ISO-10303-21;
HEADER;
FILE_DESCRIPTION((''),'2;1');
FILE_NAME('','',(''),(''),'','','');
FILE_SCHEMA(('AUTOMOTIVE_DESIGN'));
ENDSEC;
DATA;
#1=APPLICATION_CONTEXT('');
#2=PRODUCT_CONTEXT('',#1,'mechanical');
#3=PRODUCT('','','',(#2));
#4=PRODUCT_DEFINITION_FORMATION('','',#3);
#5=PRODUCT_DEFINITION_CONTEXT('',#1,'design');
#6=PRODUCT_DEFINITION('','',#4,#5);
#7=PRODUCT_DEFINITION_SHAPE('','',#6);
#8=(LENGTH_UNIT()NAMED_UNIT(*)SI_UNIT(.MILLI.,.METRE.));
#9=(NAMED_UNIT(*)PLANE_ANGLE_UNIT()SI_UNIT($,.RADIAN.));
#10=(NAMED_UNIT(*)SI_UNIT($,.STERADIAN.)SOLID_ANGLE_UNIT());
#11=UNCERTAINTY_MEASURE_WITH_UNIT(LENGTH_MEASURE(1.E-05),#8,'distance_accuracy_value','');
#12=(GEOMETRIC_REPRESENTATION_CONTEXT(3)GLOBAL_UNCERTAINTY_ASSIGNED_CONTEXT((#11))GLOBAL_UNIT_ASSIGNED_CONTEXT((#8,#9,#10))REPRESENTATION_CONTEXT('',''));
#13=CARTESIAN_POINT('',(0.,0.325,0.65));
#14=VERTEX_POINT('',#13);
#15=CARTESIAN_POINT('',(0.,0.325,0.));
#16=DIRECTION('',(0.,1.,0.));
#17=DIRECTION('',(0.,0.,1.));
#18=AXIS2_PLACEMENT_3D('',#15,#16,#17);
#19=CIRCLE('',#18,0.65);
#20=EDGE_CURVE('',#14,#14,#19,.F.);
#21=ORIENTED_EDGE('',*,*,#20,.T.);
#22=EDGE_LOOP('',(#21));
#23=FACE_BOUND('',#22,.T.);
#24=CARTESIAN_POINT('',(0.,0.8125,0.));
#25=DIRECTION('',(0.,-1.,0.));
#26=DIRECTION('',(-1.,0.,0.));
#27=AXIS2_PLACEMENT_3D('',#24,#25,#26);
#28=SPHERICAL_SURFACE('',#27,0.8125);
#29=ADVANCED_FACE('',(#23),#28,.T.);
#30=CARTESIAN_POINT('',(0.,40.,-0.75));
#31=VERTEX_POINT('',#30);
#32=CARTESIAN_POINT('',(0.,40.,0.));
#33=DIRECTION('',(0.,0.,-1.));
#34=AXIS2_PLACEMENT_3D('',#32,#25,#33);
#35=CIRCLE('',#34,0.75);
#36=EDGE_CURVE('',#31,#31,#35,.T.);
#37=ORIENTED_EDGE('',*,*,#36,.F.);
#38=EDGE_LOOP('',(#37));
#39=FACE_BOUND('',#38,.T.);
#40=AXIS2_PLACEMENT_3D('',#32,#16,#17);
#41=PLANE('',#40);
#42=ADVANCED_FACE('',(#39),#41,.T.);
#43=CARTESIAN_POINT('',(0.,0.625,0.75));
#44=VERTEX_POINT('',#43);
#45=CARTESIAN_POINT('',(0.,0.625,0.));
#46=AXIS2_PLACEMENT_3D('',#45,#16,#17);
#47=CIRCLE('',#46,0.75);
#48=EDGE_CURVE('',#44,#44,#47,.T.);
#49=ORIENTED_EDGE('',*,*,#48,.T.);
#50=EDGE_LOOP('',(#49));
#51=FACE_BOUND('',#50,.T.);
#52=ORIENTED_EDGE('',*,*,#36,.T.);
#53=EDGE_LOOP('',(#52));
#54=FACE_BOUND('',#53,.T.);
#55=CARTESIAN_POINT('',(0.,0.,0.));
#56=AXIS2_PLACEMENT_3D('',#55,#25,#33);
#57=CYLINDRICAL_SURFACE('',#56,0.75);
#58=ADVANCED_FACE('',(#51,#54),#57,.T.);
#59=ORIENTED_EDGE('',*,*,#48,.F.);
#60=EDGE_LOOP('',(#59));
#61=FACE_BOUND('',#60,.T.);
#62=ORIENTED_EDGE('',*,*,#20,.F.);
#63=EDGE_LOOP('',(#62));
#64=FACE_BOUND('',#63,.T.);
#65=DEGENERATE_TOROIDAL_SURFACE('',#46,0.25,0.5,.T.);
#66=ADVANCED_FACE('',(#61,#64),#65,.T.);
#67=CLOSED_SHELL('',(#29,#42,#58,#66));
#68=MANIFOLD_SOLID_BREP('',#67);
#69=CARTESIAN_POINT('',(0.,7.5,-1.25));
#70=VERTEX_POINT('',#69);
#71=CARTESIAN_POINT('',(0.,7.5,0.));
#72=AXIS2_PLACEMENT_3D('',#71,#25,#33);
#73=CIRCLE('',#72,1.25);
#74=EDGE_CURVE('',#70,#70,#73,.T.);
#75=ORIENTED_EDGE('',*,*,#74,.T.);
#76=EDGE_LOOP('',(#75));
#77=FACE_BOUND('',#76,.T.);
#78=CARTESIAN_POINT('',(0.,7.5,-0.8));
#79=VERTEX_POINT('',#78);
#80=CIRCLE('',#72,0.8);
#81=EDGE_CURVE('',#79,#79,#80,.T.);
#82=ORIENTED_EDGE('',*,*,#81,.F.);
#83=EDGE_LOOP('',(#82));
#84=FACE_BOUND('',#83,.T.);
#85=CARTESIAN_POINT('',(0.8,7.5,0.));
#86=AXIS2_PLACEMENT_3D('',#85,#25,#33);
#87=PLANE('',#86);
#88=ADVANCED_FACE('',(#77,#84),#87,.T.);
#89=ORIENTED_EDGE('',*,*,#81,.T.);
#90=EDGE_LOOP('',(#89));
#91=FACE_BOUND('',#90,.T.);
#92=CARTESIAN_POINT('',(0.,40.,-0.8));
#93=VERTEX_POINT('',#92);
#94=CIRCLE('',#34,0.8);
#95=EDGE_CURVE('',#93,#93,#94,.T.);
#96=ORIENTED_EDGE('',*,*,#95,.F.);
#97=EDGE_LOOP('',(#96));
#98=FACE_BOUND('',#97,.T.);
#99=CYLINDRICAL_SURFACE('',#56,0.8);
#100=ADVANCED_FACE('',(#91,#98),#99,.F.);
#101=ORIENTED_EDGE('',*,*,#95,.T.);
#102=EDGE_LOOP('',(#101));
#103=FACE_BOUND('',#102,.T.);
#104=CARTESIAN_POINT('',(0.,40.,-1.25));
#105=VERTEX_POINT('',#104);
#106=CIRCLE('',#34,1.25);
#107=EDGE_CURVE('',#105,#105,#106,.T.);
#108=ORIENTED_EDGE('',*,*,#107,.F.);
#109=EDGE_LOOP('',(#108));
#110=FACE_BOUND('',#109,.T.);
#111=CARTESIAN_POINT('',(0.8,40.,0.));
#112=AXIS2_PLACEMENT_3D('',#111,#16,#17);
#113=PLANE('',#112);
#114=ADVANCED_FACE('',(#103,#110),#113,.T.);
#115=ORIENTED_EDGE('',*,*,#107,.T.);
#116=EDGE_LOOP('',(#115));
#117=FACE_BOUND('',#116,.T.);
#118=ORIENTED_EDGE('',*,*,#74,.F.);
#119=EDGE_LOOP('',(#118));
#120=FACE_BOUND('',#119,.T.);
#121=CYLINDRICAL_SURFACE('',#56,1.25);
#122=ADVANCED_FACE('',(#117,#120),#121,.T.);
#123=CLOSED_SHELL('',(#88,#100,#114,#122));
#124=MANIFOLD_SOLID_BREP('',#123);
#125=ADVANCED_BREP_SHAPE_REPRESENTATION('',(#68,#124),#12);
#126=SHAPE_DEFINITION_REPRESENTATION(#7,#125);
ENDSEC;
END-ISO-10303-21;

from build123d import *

# Parameters (mm, degrees)
SKETCH1_W = 0.45
SKETCH1_H = 32.5
FILLET1_R = 0.5


with BuildPart() as part:
    # Sketch1 → Revolve1 (revolve)
    with BuildSketch(Plane.XY):
        with BuildLine():
            Line((0, 0), (0, 40))
            Line((0, 40), (0.75, 40))
            Line((0.75, 40), (0.75, 0.5))
            ThreePointArc((0.75, 0.5), (0.450693909, 0.136459136), (0, 0))
        make_face()
        with Locations((1.025, 23.75)):
            Rectangle(SKETCH1_W, SKETCH1_H)
    revolve(axis=Axis((0, 0, 0), (0, 1, 0)))

    # Fillet1
    fillet1_edges = [part.edges().sort_by_distance(p)[0] for p in [
        (-0.75, 0.5, 0),
    ]]
    fillet(fillet1_edges, radius=FILLET1_R)


solid = part.part
